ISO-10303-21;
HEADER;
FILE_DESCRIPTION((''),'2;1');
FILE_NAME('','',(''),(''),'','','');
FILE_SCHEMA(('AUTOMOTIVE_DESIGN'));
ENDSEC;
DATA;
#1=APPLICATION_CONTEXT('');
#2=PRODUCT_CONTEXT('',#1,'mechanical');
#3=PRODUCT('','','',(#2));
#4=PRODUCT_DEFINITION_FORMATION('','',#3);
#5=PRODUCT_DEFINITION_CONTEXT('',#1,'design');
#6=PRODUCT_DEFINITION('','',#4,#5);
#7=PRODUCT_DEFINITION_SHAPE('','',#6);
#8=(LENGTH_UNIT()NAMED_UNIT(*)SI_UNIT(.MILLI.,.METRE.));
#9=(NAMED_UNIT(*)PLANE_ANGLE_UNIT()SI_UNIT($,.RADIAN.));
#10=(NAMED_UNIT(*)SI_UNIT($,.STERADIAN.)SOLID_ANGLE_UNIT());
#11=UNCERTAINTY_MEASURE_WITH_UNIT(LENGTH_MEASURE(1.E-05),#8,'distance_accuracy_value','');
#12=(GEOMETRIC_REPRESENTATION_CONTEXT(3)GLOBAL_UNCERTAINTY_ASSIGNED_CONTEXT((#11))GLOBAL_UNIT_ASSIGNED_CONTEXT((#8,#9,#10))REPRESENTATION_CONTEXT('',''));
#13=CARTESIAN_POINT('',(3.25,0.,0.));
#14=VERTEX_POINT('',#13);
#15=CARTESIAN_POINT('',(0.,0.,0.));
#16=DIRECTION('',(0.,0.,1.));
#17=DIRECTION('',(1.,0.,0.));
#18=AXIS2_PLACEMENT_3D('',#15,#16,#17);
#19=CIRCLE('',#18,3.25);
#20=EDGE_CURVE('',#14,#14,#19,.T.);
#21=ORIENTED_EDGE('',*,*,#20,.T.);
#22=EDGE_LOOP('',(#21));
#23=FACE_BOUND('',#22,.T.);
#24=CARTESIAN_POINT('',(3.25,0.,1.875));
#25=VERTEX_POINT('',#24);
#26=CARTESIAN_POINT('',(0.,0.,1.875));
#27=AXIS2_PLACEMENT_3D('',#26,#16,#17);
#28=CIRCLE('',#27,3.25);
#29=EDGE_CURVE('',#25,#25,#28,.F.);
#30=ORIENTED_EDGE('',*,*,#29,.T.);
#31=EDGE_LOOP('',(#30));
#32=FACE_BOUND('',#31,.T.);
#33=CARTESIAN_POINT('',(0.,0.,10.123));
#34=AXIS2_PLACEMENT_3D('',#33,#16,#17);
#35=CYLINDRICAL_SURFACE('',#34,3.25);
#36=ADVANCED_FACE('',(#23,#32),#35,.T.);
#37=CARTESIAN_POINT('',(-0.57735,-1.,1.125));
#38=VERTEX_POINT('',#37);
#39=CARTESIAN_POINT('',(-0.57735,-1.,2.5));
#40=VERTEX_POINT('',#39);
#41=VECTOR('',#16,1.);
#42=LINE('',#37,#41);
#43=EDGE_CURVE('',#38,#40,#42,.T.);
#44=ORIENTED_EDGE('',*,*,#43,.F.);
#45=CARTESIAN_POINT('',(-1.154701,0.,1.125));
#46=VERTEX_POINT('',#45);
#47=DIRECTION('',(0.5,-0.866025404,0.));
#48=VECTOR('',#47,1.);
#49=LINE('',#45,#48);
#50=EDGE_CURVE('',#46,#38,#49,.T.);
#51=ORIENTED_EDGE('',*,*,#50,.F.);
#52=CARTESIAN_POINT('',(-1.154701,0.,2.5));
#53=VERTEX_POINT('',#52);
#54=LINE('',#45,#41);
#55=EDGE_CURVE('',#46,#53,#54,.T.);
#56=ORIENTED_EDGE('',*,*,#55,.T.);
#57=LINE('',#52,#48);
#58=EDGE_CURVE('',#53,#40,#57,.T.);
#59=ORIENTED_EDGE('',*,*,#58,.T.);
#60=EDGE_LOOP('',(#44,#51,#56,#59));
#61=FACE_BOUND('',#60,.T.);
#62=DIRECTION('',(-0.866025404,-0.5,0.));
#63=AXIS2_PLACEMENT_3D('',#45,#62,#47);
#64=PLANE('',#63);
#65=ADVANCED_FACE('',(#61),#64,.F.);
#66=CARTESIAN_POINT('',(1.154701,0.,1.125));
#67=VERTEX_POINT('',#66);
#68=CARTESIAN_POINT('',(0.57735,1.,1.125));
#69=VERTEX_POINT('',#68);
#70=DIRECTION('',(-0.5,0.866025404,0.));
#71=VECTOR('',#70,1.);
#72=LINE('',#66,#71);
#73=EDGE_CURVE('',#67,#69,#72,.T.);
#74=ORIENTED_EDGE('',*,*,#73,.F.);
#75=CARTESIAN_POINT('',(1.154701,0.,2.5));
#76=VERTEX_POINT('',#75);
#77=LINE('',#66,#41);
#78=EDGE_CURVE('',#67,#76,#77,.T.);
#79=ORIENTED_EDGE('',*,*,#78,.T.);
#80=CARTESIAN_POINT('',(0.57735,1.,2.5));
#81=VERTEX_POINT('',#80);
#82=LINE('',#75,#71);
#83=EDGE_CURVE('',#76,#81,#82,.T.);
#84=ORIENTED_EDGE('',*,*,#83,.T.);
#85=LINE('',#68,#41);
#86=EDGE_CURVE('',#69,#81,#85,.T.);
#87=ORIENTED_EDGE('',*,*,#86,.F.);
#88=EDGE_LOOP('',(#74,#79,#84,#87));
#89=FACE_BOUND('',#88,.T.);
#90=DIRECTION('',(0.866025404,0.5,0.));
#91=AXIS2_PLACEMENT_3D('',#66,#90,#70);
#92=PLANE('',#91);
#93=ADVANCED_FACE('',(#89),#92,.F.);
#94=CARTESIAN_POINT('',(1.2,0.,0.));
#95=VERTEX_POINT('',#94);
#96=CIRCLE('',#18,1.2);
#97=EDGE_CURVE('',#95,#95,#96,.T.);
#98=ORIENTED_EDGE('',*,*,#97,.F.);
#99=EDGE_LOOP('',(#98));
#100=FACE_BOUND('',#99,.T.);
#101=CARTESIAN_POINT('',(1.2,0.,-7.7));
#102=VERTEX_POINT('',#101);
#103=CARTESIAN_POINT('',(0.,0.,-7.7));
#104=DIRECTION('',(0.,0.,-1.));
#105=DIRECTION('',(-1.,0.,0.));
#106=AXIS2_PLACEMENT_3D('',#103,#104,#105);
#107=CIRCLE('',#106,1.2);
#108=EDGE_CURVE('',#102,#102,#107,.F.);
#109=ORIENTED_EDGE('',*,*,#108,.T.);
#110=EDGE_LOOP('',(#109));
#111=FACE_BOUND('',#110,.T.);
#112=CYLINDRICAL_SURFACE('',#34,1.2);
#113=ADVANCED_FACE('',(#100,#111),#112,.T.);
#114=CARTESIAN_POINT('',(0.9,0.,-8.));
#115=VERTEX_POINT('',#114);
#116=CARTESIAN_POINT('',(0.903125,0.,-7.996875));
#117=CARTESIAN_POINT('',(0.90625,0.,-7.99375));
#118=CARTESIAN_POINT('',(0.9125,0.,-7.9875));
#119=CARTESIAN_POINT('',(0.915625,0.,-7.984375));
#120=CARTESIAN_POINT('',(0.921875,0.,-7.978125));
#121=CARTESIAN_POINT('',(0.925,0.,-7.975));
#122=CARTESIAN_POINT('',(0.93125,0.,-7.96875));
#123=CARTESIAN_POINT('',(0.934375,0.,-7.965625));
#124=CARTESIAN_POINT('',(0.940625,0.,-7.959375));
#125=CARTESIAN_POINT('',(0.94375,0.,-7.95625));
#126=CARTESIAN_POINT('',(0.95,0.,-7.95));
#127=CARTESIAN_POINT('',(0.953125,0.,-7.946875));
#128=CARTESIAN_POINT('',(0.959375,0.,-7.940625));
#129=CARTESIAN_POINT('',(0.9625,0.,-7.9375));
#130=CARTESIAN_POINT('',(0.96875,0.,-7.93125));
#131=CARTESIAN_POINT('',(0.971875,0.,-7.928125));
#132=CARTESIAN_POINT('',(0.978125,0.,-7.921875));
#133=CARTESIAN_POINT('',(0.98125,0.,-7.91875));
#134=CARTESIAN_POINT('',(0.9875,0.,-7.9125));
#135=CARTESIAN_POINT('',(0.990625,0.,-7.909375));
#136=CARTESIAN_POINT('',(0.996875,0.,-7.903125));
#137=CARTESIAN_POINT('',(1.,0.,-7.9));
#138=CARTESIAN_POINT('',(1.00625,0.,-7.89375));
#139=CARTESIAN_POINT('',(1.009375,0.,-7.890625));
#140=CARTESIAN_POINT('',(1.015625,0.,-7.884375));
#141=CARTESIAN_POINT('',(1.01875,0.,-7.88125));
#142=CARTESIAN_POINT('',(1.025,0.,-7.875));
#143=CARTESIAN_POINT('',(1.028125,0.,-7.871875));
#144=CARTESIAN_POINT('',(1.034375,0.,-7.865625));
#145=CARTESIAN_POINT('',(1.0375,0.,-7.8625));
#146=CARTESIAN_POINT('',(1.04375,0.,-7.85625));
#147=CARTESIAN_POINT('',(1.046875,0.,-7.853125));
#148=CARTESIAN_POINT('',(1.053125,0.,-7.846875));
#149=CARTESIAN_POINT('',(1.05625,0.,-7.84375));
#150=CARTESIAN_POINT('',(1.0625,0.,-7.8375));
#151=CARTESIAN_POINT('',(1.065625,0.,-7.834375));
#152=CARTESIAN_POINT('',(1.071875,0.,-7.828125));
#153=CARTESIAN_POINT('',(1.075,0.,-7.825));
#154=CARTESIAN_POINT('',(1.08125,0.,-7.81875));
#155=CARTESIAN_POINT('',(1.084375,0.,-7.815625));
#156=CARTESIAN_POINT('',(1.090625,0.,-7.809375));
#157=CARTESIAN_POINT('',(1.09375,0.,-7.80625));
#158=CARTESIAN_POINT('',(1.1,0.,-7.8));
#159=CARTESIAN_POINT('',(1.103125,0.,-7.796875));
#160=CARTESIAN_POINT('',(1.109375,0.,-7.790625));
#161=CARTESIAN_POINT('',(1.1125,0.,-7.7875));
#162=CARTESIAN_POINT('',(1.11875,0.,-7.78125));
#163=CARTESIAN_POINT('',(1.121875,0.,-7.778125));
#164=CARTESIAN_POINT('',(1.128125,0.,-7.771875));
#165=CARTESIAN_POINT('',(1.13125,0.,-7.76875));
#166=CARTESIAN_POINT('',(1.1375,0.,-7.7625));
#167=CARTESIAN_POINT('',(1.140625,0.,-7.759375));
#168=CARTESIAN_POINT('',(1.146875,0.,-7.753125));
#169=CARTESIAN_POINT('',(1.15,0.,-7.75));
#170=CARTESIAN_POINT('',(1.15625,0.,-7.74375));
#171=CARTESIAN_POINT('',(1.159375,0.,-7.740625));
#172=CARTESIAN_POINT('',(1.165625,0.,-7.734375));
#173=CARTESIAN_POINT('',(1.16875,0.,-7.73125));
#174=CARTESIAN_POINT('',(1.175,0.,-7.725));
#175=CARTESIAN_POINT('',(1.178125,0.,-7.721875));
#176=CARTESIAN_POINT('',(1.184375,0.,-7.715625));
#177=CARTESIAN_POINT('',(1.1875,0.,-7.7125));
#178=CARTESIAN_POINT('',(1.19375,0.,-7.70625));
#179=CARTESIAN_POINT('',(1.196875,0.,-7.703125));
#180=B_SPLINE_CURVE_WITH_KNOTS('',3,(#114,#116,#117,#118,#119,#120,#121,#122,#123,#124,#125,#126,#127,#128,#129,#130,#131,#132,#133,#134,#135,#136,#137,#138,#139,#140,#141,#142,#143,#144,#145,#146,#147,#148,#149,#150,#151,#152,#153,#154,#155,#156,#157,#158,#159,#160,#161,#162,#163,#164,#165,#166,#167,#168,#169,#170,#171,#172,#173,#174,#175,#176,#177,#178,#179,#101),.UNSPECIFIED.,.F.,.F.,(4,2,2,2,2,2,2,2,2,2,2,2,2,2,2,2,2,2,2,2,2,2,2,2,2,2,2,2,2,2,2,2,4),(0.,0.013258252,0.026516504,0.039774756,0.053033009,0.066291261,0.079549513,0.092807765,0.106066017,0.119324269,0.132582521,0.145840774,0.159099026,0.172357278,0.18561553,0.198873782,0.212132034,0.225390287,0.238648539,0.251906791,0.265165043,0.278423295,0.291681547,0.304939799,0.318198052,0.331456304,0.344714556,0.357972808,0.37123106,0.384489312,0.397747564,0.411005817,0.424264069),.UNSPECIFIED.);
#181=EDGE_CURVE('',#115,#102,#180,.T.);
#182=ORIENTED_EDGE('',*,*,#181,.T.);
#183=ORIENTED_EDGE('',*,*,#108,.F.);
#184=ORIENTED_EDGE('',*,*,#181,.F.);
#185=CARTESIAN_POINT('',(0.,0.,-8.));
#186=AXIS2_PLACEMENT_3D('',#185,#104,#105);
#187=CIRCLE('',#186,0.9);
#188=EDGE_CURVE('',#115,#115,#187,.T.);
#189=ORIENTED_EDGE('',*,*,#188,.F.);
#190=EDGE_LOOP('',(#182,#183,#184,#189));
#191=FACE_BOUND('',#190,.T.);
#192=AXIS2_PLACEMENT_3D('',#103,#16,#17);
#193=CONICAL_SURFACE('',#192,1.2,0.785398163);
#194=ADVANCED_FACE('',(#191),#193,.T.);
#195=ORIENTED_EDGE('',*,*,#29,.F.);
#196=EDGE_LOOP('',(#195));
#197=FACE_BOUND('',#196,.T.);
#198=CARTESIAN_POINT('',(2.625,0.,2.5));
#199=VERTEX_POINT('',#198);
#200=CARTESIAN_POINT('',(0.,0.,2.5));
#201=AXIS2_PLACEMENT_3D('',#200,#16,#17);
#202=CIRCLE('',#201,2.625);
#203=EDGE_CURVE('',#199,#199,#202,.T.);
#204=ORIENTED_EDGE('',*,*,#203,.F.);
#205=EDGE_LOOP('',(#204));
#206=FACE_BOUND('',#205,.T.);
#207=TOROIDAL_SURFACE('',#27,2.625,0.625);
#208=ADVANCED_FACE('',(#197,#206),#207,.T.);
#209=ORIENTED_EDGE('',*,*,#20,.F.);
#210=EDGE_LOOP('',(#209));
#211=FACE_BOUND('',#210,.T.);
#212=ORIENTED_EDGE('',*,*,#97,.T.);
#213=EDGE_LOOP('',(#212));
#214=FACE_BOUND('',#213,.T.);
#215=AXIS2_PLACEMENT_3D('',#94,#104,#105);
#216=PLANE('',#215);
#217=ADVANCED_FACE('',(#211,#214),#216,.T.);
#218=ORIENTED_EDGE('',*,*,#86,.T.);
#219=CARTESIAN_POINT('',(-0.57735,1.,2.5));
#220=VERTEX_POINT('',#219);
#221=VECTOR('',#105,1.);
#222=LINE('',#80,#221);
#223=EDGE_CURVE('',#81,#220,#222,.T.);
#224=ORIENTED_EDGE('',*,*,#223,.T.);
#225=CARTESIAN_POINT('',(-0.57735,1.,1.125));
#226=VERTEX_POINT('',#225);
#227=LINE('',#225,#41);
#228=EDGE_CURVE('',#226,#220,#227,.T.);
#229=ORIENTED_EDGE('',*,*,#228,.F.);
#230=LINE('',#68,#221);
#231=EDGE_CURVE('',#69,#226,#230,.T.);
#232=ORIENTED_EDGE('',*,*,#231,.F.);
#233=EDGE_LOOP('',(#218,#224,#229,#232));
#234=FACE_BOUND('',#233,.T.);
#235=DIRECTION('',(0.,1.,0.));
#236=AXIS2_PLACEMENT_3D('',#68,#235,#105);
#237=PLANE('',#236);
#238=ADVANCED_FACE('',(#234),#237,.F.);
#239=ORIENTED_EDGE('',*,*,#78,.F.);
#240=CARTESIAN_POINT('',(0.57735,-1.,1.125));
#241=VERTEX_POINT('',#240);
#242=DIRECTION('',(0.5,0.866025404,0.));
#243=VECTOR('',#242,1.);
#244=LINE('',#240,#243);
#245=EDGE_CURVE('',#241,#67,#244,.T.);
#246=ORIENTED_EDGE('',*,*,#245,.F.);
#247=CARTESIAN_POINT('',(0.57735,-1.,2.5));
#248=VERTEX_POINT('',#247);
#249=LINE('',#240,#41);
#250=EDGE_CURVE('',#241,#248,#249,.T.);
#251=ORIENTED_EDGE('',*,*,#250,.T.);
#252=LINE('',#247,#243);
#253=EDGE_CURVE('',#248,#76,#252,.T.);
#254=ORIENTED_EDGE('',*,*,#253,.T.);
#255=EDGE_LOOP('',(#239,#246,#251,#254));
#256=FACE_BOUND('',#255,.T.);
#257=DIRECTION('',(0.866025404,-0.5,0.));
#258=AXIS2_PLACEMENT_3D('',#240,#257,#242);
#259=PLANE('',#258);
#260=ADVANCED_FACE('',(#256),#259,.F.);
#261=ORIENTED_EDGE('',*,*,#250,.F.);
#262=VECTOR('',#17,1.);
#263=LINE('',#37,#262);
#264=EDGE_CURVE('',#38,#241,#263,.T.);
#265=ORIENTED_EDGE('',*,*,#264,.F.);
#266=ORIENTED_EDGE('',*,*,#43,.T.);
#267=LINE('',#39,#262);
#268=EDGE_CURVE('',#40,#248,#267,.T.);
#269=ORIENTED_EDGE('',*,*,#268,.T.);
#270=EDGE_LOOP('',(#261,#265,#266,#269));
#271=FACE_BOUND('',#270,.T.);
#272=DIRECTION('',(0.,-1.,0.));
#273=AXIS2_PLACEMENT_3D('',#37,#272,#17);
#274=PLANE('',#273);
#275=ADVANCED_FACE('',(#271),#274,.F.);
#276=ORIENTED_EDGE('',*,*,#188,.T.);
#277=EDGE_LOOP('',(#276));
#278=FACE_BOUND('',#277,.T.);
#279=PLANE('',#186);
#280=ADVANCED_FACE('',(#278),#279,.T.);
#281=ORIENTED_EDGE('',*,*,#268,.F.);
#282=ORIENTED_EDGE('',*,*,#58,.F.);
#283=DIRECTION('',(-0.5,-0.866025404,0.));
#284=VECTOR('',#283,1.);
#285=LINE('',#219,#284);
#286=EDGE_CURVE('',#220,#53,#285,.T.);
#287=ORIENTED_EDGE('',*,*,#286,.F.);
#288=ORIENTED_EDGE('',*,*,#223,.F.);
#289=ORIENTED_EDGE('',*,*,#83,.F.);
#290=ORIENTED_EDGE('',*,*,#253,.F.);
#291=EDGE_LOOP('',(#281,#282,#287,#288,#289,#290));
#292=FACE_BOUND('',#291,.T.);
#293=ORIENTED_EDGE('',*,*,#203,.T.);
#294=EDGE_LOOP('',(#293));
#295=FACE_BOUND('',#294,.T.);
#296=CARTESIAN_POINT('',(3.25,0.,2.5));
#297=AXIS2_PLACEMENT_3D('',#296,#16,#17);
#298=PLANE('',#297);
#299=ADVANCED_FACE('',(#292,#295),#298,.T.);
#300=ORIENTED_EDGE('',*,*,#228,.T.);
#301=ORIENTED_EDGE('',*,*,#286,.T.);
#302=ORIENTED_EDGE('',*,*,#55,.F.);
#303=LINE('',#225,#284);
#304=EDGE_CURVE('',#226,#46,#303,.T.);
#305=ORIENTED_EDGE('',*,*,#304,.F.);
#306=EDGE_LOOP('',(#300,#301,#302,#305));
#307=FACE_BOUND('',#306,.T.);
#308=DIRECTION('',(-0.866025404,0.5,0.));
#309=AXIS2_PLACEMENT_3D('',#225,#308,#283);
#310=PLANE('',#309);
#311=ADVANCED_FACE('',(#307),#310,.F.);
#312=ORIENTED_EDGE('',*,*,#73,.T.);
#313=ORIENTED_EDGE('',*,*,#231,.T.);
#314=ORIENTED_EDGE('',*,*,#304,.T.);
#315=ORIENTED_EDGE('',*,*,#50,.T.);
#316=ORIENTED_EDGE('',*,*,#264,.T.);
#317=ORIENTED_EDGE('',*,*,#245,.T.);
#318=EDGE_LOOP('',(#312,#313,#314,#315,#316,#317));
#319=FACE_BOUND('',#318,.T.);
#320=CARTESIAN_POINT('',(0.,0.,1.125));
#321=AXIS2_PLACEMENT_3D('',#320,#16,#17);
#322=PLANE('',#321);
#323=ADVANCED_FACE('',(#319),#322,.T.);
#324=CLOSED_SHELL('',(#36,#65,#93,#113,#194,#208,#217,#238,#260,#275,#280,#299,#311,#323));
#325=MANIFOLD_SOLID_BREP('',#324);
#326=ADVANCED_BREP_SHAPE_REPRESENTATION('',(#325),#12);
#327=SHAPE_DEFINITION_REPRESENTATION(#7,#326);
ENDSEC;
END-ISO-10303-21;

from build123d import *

# Parameters (mm, degrees)
SHANK_TIP_CHAMFER_SIZE = 0.3
PAN_HEAD_ROUND_R       = 0.625
HEX_DRIVE_CUT_DEPTH    = 1.375


with BuildPart() as part:
    # Screw Section → Screw Blank Revolve (revolve)
    with BuildSketch(Plane(origin=(0, 0, 0), x_dir=(1, 0, 0), z_dir=(0, 1, 0))):
        Polygon((0, 8), (1.2, 8), (1.2, 0), (3.25, 0), (3.25, -2.5), (0, -2.5), align=None)
    revolve(axis=Axis((0, 0, 10.123), (0, 0, -1)))

    # Shank Tip Chamfer
    shank_tip_chamfer_edges = [part.edges().sort_by_distance(p)[0] for p in [
        (-1.2, 0, -8),
    ]]
    chamfer(shank_tip_chamfer_edges, length=SHANK_TIP_CHAMFER_SIZE)

    # Pan Head Round
    pan_head_round_edges = [part.edges().sort_by_distance(p)[0] for p in [
        (-3.25, 0, 2.5),
    ]]
    fillet(pan_head_round_edges, radius=PAN_HEAD_ROUND_R)

    # Hex Drive Sketch → Hex Drive Cut (cut)
    with BuildSketch(Plane.XY.offset(2.5)):
        Polygon((1.154700538, 0), (0.577350269, 1), (-0.577350269, 1), (-1.154700538, 0), (-0.577350269, -1), (0.577350269, -1), align=None)
    extrude(amount=-HEX_DRIVE_CUT_DEPTH, mode=Mode.SUBTRACT)


solid = part.part
